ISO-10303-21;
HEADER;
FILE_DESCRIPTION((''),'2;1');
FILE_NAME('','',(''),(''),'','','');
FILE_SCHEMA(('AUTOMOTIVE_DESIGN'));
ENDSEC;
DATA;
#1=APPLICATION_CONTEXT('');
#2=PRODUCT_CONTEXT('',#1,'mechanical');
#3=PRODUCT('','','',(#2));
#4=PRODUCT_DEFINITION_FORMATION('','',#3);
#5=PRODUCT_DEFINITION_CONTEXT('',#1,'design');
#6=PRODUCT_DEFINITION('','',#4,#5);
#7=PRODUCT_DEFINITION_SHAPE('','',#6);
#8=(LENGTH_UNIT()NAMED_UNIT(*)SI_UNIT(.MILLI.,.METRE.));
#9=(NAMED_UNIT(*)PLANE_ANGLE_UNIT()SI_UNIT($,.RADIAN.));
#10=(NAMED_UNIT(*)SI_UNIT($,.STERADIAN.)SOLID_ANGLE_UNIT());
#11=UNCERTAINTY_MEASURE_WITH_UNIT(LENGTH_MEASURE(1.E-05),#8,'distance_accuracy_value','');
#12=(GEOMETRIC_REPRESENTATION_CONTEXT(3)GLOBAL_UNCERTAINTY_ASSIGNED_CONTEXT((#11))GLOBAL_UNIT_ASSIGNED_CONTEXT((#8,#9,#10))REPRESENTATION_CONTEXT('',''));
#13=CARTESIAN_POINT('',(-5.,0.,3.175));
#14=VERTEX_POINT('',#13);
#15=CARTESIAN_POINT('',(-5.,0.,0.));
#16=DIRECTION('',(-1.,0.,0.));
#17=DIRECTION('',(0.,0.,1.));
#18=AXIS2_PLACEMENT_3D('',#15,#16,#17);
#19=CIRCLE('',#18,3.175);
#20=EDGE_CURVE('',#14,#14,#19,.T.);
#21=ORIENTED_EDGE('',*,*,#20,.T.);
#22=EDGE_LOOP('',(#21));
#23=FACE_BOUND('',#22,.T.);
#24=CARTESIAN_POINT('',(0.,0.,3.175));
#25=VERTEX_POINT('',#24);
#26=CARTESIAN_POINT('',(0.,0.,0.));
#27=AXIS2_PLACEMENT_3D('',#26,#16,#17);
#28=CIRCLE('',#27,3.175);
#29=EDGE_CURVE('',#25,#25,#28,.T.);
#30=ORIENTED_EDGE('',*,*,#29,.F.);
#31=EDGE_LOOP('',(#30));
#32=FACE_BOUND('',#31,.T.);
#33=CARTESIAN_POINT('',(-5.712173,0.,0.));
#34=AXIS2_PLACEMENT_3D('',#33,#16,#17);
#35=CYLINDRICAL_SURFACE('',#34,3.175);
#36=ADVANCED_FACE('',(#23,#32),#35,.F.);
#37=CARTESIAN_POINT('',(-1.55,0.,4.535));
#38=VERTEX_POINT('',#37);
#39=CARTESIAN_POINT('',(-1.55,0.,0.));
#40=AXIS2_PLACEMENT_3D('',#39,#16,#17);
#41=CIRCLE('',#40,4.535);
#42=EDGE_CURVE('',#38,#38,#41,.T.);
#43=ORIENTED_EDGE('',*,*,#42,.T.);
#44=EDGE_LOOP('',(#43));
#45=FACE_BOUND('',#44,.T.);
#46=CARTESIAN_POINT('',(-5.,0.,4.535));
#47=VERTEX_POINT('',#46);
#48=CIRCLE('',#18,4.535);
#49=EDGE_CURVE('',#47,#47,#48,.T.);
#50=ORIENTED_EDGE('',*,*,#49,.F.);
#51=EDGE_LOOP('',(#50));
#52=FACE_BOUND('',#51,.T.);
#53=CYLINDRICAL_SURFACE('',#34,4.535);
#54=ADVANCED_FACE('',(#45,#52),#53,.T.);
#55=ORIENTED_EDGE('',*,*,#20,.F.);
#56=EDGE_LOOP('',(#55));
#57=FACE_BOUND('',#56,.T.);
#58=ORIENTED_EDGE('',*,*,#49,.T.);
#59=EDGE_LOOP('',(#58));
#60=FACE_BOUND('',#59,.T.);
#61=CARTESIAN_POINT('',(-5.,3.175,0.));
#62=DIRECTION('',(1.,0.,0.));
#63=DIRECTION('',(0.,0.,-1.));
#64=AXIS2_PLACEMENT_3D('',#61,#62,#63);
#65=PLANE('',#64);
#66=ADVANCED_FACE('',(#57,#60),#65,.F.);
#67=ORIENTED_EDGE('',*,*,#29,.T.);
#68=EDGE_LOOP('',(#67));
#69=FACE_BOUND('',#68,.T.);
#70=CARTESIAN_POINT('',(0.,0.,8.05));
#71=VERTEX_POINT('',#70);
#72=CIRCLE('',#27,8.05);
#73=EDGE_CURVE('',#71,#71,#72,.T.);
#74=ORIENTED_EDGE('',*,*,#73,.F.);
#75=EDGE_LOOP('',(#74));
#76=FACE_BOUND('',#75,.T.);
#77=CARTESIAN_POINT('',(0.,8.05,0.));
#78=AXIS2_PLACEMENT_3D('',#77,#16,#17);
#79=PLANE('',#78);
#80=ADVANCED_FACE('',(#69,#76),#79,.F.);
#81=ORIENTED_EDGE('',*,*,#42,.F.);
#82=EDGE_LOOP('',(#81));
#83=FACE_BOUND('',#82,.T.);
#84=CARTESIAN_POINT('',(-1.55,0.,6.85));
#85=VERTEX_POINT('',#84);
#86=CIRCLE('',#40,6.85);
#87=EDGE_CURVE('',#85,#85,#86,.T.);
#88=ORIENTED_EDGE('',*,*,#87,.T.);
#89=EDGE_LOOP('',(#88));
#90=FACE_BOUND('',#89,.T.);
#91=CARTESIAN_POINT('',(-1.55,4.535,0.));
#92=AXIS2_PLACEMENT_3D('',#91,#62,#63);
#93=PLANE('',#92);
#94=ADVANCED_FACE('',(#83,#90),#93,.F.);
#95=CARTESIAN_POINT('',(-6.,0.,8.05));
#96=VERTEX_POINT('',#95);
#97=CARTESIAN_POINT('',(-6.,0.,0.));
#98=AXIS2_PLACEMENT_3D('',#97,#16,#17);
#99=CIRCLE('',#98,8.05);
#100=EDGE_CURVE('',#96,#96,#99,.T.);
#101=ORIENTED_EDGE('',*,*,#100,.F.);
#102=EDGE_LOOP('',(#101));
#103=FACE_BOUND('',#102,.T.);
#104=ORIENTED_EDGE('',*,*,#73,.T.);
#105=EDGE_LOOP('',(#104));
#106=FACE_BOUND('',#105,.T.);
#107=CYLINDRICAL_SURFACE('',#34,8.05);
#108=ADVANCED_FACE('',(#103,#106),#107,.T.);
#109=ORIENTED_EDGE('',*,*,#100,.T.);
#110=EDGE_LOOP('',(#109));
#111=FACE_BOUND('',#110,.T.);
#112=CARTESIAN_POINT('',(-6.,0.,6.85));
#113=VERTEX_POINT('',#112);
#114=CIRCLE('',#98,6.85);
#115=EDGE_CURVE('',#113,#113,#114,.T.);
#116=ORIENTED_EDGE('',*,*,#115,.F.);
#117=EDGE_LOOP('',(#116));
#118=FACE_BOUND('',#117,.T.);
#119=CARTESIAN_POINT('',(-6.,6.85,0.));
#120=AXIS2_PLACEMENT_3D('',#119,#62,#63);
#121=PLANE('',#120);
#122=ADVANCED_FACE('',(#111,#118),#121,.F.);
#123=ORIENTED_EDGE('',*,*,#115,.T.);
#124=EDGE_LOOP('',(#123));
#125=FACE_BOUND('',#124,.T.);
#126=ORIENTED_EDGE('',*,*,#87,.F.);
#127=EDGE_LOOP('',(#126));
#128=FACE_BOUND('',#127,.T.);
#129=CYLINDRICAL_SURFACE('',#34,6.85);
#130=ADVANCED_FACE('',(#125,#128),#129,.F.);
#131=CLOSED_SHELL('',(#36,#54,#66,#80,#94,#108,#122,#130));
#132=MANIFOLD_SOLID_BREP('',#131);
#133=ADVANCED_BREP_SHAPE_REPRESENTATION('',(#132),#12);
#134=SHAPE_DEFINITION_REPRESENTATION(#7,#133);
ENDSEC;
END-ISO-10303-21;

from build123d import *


with BuildPart() as part:
    # Croquis1 → Revolución1 (revolve)
    with BuildSketch(Plane.XY, mode=Mode.PRIVATE) as revoluci_n1_sk:
        Polygon((-6, 8.05), (0, 8.05), (0, 3.175), (-5, 3.175), (-5, 4.535), (-1.55, 4.535), (-1.55, 6.85), (-6, 6.85), align=None)
    revolve(revoluci_n1_sk.sketch.rotate(Axis((-5.712172619, 0, 0), (1, 0, 0)), 90), axis=Axis((-5.712172619, 0, 0), (1, 0, 0)))


solid = part.part
